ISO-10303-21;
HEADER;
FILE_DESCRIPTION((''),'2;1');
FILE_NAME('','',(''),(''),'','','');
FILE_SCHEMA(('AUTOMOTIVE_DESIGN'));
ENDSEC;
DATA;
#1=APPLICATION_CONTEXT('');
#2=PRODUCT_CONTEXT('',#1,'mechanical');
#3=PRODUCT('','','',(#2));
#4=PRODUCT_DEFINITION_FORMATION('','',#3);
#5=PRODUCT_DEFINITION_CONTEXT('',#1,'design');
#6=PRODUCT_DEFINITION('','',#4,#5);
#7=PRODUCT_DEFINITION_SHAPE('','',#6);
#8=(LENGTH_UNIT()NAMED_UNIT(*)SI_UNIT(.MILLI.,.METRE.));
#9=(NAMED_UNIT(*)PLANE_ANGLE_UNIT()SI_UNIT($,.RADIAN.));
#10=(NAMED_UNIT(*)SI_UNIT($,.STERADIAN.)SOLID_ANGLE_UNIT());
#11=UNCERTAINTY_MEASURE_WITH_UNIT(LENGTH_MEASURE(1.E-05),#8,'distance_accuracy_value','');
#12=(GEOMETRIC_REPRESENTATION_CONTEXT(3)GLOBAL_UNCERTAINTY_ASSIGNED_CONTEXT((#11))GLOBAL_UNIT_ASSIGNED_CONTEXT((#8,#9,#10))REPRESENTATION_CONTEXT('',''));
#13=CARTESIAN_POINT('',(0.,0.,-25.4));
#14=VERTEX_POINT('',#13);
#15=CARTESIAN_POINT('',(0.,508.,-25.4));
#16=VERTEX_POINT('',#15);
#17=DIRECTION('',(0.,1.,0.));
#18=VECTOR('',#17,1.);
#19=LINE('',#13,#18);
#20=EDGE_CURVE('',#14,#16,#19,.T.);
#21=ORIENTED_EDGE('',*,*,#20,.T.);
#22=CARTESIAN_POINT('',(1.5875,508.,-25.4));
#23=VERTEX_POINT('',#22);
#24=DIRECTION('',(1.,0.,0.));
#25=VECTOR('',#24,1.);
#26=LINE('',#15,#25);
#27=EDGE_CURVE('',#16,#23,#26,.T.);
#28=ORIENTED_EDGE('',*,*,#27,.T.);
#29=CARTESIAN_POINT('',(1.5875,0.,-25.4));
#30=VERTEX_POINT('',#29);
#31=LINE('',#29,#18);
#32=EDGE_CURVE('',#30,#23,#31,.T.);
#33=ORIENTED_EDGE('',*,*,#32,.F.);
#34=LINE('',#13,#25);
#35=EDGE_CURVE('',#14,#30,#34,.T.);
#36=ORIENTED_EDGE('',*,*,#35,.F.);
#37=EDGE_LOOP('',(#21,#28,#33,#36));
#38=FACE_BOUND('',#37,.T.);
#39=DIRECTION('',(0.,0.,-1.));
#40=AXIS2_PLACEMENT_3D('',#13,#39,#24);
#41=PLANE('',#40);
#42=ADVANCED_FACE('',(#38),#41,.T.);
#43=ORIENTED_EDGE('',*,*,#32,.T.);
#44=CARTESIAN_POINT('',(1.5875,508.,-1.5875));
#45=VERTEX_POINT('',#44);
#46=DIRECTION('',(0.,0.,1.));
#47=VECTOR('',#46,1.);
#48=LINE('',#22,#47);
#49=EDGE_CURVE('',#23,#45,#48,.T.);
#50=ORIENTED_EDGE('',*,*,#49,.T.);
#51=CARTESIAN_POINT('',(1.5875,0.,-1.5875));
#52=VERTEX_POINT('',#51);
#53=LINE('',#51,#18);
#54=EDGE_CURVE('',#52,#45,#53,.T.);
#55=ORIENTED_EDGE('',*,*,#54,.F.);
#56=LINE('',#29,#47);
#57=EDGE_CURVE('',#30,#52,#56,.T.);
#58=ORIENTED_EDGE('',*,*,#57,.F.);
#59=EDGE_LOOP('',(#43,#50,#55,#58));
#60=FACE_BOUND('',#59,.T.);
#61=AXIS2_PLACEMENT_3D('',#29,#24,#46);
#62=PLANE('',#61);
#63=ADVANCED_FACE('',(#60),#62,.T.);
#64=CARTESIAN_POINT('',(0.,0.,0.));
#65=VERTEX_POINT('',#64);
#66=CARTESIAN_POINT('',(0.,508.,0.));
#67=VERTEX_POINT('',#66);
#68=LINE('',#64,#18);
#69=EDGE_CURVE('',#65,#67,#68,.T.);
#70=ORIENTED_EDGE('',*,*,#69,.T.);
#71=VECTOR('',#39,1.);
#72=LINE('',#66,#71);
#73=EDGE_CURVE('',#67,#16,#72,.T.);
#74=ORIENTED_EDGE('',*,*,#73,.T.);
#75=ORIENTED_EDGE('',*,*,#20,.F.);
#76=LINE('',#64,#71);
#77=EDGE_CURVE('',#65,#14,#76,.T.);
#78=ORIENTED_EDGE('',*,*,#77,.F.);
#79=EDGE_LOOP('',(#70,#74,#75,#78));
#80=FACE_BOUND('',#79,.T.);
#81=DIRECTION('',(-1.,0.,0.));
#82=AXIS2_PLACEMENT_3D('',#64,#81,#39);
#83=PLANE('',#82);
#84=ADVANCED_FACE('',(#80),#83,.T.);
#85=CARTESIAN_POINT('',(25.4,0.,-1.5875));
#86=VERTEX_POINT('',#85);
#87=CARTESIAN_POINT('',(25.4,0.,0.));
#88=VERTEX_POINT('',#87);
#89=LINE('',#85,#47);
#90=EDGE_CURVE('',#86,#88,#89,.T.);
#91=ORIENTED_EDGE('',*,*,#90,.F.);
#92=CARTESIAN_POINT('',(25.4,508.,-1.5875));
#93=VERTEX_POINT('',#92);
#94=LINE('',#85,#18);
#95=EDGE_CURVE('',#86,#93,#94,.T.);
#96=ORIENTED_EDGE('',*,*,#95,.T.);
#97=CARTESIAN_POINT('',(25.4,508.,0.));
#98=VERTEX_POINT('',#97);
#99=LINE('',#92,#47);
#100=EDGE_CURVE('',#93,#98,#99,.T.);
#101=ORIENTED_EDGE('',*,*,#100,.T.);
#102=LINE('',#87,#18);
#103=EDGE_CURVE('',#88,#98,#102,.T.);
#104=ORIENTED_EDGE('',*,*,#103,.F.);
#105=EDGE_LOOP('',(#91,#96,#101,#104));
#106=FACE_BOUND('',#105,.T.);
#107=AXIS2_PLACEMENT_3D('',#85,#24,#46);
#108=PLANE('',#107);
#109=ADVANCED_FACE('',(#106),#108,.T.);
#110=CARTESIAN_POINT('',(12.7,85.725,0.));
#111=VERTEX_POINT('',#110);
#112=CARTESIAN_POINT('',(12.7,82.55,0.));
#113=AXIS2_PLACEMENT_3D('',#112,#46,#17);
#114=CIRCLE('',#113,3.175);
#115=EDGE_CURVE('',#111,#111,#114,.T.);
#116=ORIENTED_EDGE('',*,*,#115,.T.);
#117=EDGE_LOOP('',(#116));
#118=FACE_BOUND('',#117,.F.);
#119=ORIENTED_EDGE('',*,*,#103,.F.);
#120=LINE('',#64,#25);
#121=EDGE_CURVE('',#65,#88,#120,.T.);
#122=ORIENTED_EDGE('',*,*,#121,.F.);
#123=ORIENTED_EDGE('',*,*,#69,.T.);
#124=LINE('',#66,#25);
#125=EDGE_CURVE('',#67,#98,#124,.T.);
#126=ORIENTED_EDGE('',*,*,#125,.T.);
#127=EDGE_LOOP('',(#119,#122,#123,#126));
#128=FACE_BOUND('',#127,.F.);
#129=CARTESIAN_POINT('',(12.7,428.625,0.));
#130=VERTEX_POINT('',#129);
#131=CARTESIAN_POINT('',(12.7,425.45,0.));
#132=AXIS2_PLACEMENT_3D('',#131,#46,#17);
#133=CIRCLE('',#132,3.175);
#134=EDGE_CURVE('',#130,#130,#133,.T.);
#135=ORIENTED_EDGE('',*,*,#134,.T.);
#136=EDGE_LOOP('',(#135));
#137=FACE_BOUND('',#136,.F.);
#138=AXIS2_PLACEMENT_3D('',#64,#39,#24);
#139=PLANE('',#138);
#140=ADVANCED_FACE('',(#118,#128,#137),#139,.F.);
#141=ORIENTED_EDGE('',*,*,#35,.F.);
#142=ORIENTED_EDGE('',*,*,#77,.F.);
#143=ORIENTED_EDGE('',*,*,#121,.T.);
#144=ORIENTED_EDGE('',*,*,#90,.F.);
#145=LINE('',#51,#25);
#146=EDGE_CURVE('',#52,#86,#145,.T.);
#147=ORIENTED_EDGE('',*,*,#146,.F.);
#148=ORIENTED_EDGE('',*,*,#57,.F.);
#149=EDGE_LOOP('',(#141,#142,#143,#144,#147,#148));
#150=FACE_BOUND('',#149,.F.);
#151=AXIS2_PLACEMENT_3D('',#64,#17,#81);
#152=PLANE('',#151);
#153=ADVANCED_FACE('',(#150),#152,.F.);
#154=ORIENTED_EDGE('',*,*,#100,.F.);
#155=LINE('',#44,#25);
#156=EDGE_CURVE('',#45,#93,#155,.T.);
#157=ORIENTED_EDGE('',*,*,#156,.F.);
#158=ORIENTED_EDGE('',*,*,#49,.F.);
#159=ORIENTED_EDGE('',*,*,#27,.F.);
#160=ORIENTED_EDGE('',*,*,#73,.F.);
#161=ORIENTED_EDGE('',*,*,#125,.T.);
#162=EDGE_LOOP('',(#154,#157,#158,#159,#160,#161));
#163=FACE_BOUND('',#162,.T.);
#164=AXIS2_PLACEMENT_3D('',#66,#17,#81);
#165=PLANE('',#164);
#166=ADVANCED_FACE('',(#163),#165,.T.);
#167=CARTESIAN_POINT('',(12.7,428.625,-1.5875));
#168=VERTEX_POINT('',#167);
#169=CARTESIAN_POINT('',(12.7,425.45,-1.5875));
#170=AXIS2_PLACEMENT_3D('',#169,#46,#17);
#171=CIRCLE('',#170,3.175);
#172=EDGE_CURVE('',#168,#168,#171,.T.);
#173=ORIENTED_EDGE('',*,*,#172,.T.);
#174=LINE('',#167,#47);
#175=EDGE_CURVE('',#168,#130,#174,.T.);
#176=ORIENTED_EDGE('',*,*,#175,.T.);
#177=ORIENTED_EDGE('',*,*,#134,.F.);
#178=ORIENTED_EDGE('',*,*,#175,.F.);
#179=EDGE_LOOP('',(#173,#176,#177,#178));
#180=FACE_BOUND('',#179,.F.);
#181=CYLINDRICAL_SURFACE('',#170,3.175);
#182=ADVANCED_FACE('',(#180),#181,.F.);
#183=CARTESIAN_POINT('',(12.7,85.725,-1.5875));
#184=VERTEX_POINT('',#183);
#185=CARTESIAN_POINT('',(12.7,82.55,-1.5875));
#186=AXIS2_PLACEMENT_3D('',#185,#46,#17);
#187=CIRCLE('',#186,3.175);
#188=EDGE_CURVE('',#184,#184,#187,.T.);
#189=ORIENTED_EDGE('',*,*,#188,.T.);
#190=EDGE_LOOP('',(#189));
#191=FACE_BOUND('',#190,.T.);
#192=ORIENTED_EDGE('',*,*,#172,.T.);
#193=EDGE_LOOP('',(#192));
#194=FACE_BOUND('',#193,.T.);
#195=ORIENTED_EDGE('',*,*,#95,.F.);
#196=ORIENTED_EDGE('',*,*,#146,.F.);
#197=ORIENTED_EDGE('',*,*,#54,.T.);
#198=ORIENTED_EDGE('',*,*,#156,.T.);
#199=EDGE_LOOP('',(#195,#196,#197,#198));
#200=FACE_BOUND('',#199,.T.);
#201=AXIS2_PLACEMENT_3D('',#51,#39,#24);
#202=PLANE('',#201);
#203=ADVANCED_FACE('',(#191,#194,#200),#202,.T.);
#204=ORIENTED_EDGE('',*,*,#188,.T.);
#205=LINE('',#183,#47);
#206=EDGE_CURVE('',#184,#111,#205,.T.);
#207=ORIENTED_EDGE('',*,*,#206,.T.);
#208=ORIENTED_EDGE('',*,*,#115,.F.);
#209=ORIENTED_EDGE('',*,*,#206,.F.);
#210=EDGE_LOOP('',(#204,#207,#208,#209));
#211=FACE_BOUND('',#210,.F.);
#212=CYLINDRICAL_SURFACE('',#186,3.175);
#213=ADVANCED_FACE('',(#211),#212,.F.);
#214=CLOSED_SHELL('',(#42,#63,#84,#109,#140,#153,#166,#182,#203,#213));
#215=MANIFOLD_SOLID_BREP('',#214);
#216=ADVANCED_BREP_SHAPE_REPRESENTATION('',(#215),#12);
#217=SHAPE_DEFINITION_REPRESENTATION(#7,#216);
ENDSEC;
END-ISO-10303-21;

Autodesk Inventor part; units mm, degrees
ref_plane "YZ Plane" through (0, 0, 0) normal (1, 0, 0) x (0, 1, 0)
ref_plane "XZ Plane" through (0, 0, 0) normal (0, 1, 0) x (-1, 0, 0)
ref_plane "XY Plane" through (0, 0, 0) normal (0, 0, 1) x (1, 0, 0)
sketch "Sketch1" plane through (0, 0, 0) normal (0, 1, 0) x (-1, 0, 0)
  line L0 (0, 0) -> (-25.4, 0)
  line L1 (0, 0) -> (0, -25.4)
  line L2 (-1.5875, -25.4) -> (-1.5875, -1.5875)
  line L3 (-1.5875, -1.5875) -> (-25.4, -1.5875)
  line L4 (0, -25.4) -> (-1.5875, -25.4)
  line L5 (-25.4, -1.5875) -> (-25.4, 0)
  dimension "d5" = 25.4
  dimension "d6" = 25.4
  dimension "d7" = 1.5875
extrude "Extrusion1" add sketch "Sketch1" along normal blind 508
sketch "Sketch2" plane through (25.4, 0, -1.5875) normal (0, 0, -1) x (-1, 0, 0)
  line L0 (0, 508) -> (23.8125, 508) projected
  line L1 (25.4, 0) -> (0, 0) projected
  line L2 (0, 0) -> (0, 508) projected
  point P0 (12.7, 425.45)
  point P1 (12.7, 82.55)
  dimension "d10" = 82.55
  dimension "d11" = 82.55
  dimension "d12" = 12.7
  dimension "d13" = 12.7
hole "Hole1" at (12.7, 425.45, -1.5875) at (12.7, 82.55, -1.5875) direction (0, 0, 1) diameter 6.35 end through all
properties part number "gripper main bracket"
